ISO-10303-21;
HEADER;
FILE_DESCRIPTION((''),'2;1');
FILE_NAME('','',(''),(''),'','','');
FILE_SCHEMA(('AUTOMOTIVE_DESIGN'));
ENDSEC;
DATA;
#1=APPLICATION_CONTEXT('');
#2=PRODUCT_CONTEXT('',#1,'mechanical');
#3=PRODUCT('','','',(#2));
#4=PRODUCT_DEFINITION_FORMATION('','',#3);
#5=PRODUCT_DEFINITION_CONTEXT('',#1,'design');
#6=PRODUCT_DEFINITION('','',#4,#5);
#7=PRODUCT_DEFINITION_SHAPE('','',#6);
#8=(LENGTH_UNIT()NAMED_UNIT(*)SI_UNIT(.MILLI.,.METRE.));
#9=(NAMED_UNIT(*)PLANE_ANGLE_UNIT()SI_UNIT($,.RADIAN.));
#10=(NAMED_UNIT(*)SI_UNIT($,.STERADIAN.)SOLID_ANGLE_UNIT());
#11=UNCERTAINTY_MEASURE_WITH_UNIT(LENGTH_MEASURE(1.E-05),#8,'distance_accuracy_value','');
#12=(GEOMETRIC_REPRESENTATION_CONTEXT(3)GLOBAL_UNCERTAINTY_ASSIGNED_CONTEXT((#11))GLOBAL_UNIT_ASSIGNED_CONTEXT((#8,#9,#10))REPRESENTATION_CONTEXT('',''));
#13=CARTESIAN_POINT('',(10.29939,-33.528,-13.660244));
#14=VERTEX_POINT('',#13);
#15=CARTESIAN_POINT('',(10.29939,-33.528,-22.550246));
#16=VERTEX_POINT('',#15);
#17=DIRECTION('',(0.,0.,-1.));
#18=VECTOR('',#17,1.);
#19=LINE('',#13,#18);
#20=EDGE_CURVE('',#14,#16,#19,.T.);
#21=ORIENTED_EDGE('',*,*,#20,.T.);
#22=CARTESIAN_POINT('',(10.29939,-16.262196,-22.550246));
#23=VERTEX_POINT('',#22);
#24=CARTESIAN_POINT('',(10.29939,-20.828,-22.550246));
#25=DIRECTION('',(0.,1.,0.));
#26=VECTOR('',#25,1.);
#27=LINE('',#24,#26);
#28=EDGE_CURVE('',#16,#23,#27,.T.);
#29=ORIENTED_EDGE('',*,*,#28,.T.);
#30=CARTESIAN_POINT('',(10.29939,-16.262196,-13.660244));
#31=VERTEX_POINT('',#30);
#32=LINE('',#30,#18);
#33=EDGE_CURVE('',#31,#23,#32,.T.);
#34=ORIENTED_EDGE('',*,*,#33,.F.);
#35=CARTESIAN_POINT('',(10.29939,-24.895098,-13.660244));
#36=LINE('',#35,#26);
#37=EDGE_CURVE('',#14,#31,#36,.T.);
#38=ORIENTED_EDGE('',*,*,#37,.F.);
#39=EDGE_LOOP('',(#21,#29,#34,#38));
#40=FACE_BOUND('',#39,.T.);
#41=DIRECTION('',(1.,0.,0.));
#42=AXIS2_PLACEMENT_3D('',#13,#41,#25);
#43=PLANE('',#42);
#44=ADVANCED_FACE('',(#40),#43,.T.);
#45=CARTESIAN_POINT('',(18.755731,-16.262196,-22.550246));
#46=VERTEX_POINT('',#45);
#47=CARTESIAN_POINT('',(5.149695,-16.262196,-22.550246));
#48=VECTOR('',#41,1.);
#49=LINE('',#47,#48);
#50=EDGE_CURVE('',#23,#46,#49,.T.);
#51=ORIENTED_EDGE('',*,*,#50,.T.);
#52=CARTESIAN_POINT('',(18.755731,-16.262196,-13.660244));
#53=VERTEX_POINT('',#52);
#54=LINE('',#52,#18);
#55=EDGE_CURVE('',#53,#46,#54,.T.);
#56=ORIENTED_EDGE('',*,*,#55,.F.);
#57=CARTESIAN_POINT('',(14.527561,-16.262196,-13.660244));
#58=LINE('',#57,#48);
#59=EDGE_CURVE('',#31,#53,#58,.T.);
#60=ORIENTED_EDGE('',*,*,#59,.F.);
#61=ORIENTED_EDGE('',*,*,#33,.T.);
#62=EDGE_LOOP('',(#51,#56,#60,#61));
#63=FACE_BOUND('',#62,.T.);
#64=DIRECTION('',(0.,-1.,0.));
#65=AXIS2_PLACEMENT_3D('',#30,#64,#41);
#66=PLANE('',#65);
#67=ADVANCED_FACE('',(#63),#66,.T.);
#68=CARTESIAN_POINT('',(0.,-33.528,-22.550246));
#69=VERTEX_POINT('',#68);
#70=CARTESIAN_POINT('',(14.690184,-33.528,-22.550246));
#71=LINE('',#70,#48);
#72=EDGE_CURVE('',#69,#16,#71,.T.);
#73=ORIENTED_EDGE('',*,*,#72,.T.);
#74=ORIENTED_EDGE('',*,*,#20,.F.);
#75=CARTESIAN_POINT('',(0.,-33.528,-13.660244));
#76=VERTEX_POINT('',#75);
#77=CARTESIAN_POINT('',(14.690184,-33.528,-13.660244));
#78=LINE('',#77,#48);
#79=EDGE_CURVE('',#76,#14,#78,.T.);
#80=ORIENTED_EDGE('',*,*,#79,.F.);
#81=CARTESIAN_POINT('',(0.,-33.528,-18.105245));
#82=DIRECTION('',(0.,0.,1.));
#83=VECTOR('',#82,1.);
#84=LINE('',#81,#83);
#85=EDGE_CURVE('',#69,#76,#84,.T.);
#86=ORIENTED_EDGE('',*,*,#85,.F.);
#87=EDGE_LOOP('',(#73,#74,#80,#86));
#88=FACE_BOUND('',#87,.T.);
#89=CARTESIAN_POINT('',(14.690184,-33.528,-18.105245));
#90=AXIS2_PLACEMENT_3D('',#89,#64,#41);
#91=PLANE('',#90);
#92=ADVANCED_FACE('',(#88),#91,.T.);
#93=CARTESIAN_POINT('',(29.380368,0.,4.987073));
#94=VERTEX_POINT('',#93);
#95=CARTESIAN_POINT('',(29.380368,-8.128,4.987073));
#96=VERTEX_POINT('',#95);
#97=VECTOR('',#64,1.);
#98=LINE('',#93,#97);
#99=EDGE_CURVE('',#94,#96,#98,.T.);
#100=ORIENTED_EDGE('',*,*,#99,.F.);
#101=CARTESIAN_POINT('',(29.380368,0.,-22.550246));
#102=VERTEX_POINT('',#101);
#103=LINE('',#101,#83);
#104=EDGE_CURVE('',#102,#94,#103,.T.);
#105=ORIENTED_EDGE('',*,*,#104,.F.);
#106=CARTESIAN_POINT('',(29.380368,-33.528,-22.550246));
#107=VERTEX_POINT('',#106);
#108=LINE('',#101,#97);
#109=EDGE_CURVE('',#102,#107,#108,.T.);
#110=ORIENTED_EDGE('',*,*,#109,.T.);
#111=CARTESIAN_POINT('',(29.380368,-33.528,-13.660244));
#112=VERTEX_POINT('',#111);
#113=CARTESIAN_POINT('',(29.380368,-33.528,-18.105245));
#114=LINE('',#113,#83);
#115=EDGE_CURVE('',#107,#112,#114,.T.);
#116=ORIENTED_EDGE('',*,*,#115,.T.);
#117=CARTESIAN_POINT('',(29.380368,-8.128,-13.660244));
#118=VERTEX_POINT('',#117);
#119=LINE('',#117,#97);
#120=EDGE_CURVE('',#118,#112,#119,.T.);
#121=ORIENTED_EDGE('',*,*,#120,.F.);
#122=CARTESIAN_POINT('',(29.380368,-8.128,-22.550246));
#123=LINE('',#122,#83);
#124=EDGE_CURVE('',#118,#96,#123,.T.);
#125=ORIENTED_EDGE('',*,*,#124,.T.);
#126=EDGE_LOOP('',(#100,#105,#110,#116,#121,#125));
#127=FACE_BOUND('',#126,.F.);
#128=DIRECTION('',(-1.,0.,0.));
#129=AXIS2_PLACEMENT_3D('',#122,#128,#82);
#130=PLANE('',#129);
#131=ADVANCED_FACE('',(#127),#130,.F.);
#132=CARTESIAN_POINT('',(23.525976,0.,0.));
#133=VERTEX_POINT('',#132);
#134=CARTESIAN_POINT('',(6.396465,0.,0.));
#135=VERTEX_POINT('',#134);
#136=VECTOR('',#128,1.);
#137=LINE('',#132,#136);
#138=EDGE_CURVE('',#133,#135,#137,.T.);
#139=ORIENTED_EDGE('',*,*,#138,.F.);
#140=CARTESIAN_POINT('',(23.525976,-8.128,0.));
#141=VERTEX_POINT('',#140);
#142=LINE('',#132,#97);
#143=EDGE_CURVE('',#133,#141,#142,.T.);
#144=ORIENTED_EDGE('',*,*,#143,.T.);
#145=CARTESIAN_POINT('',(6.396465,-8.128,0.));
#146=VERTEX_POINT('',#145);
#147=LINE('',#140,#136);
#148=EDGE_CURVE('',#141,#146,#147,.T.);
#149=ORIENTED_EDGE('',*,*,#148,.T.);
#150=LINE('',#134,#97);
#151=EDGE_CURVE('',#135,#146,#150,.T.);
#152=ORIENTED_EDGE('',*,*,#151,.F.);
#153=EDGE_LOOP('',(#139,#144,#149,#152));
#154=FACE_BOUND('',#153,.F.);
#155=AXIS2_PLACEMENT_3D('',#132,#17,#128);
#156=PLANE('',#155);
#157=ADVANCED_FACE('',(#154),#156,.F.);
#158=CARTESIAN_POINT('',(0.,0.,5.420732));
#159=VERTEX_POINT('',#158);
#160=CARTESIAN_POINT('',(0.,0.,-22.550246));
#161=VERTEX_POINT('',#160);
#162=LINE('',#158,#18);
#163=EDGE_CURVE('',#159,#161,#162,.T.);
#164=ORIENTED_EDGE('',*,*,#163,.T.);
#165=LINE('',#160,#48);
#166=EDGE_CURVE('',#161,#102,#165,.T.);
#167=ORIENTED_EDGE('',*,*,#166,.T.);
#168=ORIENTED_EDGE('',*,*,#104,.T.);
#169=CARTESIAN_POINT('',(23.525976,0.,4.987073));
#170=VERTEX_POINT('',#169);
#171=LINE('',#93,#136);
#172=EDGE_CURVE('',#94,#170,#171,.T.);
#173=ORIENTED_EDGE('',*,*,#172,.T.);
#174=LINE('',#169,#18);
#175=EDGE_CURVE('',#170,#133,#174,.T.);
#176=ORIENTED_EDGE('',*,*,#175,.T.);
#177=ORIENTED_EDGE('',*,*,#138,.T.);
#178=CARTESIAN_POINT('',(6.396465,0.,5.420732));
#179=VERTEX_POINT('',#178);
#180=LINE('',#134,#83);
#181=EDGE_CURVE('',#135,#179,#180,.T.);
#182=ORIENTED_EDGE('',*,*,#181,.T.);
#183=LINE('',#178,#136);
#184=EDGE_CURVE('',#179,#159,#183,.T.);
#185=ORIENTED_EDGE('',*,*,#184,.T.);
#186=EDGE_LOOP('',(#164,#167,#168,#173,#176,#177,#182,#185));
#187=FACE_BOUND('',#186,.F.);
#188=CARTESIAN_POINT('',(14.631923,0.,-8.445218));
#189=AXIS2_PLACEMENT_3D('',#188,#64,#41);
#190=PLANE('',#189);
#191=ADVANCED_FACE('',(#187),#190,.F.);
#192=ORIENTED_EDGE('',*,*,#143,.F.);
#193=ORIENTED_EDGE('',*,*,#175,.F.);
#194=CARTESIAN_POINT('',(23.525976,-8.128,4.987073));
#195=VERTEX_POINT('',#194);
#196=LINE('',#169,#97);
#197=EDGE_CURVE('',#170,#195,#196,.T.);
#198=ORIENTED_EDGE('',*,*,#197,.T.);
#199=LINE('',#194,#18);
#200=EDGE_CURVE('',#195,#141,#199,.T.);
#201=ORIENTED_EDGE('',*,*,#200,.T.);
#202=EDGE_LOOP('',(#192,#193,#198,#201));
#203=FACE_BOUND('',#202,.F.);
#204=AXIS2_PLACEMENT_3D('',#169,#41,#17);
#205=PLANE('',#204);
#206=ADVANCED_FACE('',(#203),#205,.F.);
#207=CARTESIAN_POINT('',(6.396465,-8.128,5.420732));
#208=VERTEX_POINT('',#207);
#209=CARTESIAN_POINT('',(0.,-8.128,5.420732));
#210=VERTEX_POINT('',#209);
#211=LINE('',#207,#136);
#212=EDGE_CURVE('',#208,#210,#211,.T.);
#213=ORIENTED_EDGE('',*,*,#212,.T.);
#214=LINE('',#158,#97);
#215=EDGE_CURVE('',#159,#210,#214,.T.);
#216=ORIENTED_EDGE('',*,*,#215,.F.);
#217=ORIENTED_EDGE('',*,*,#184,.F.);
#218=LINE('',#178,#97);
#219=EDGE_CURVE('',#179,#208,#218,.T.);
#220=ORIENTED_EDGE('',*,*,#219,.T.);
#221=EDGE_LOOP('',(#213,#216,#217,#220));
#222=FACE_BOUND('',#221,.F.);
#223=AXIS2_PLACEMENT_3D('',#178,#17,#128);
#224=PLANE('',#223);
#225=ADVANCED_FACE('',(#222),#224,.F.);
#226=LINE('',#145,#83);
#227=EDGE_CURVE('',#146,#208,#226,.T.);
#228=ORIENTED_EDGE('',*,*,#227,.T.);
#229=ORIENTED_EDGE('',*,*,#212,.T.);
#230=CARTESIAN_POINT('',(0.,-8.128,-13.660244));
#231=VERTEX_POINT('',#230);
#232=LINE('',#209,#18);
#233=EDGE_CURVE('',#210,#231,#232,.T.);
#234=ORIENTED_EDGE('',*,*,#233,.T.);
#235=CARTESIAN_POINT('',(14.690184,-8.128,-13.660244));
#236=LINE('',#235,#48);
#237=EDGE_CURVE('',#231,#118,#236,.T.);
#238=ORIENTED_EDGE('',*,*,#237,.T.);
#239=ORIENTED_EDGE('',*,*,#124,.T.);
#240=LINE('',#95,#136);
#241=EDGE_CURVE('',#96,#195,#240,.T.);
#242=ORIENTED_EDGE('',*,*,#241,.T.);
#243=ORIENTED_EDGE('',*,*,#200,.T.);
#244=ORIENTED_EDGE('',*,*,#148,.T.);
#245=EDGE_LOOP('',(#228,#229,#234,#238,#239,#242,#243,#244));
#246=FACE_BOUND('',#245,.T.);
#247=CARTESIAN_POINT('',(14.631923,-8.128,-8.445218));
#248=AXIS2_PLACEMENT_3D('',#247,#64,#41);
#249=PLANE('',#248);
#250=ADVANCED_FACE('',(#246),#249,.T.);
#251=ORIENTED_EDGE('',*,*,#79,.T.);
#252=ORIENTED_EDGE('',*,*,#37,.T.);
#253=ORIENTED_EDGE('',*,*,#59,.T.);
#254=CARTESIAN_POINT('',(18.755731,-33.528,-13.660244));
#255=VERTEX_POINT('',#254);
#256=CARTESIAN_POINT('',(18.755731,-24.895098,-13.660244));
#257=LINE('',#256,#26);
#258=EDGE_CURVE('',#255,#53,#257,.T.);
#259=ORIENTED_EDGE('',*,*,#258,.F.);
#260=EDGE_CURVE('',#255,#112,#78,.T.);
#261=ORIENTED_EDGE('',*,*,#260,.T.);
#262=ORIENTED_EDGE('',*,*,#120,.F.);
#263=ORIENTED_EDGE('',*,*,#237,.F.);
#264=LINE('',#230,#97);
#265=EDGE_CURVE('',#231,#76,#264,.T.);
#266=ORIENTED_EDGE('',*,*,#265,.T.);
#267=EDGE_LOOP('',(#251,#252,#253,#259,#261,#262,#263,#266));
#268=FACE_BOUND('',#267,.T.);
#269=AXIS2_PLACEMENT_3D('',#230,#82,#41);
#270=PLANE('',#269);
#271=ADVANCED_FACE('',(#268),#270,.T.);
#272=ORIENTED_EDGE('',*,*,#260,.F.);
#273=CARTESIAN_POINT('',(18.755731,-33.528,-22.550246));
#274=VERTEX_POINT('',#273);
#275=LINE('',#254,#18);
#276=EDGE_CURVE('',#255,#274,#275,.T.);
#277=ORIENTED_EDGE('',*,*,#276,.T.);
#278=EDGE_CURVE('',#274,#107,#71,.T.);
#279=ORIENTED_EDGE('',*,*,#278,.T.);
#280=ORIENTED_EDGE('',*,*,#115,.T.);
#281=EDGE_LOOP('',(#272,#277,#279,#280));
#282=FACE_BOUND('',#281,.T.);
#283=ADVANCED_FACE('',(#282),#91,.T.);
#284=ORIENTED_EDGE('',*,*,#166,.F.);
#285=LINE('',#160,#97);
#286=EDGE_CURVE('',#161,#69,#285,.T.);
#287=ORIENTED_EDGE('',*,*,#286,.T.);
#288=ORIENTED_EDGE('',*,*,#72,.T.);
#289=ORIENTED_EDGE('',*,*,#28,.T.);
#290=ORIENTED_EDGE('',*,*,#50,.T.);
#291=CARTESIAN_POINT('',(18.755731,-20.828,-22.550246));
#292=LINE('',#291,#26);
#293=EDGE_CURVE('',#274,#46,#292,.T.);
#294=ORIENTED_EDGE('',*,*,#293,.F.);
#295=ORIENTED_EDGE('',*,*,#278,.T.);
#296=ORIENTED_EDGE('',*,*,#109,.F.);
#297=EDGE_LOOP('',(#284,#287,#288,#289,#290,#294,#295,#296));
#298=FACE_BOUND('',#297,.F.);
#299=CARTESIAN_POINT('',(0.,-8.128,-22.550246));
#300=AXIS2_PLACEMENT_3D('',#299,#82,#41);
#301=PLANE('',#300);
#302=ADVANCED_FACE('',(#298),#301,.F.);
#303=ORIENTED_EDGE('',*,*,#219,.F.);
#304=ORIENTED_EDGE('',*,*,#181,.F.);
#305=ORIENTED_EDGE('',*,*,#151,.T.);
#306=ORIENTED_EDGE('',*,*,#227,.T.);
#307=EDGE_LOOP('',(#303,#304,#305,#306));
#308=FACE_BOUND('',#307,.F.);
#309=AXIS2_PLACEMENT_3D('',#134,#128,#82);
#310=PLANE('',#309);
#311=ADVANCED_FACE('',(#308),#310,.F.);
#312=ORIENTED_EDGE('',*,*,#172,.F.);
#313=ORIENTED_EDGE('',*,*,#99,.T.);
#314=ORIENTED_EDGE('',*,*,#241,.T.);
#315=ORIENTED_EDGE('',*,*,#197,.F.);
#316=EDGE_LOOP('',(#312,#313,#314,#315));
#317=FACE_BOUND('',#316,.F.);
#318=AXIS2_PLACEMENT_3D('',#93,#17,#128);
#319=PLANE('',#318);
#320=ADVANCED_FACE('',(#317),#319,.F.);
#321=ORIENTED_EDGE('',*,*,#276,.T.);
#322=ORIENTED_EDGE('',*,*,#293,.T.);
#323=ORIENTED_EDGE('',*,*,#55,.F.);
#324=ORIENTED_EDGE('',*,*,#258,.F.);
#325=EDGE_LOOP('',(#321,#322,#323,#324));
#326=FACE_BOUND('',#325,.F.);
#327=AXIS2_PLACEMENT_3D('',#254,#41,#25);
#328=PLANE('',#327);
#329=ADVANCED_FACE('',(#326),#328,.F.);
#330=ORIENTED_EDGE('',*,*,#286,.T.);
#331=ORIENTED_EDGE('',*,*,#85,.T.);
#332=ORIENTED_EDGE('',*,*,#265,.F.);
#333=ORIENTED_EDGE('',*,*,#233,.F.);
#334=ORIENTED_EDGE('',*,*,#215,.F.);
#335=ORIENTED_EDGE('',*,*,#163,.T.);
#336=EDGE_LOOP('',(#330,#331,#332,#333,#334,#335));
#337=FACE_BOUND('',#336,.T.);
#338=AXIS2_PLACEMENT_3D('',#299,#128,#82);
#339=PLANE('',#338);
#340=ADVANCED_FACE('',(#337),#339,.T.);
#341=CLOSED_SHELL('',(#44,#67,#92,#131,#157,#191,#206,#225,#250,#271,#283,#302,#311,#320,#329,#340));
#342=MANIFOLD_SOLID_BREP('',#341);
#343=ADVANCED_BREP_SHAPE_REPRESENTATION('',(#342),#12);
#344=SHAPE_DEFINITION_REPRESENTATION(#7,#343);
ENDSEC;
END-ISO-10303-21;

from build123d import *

# Parameters (mm, degrees)
F1_DEPTH = 8.128
F2_W     = 29.380368
F2_H     = 8.890002
F3_DEPTH = 25.4
F4_W     = 6.938537
F4_H     = 17.482635
F5_DEPTH = 8.382
F6_W     = 8.456341
F6_H     = 17.265804
F7_DEPTH = 9.906


with BuildPart() as f1:
    # F0 (on Front) → F1 (new body)
    with BuildSketch(Plane.XZ):
        Polygon((0, 5.420732), (0, 0), (0, -22.550246), (29.380368, -22.550246), (29.380368, 4.987073), (23.525976, 4.987073), (23.525976, 0), (6.396465, 0), (6.396465, 5.420732), align=None)
    extrude(amount=F1_DEPTH)

    # F2 (on face) → F3 (join)
    with BuildSketch(Plane.XZ.offset(8.128)):
        with Locations((14.690184, -18.105245)):
            Rectangle(F2_W, F2_H)
    extrude(amount=F3_DEPTH)

    # F4 (on face) → F5 (join)
    with BuildSketch(Plane.XY.offset(-13.660244)):
        with Locations((15.286463, -24.786682)):
            Rectangle(F4_W, F4_H)
    extrude(amount=-F5_DEPTH)

    # F6 (on face) → F7 (cut)
    with BuildSketch(Plane.XY.offset(-13.660244)):
        with Locations((14.527561, -24.895098)):
            Rectangle(F6_W, F6_H)
    extrude(amount=-F7_DEPTH, mode=Mode.SUBTRACT)


solid = f1.part
